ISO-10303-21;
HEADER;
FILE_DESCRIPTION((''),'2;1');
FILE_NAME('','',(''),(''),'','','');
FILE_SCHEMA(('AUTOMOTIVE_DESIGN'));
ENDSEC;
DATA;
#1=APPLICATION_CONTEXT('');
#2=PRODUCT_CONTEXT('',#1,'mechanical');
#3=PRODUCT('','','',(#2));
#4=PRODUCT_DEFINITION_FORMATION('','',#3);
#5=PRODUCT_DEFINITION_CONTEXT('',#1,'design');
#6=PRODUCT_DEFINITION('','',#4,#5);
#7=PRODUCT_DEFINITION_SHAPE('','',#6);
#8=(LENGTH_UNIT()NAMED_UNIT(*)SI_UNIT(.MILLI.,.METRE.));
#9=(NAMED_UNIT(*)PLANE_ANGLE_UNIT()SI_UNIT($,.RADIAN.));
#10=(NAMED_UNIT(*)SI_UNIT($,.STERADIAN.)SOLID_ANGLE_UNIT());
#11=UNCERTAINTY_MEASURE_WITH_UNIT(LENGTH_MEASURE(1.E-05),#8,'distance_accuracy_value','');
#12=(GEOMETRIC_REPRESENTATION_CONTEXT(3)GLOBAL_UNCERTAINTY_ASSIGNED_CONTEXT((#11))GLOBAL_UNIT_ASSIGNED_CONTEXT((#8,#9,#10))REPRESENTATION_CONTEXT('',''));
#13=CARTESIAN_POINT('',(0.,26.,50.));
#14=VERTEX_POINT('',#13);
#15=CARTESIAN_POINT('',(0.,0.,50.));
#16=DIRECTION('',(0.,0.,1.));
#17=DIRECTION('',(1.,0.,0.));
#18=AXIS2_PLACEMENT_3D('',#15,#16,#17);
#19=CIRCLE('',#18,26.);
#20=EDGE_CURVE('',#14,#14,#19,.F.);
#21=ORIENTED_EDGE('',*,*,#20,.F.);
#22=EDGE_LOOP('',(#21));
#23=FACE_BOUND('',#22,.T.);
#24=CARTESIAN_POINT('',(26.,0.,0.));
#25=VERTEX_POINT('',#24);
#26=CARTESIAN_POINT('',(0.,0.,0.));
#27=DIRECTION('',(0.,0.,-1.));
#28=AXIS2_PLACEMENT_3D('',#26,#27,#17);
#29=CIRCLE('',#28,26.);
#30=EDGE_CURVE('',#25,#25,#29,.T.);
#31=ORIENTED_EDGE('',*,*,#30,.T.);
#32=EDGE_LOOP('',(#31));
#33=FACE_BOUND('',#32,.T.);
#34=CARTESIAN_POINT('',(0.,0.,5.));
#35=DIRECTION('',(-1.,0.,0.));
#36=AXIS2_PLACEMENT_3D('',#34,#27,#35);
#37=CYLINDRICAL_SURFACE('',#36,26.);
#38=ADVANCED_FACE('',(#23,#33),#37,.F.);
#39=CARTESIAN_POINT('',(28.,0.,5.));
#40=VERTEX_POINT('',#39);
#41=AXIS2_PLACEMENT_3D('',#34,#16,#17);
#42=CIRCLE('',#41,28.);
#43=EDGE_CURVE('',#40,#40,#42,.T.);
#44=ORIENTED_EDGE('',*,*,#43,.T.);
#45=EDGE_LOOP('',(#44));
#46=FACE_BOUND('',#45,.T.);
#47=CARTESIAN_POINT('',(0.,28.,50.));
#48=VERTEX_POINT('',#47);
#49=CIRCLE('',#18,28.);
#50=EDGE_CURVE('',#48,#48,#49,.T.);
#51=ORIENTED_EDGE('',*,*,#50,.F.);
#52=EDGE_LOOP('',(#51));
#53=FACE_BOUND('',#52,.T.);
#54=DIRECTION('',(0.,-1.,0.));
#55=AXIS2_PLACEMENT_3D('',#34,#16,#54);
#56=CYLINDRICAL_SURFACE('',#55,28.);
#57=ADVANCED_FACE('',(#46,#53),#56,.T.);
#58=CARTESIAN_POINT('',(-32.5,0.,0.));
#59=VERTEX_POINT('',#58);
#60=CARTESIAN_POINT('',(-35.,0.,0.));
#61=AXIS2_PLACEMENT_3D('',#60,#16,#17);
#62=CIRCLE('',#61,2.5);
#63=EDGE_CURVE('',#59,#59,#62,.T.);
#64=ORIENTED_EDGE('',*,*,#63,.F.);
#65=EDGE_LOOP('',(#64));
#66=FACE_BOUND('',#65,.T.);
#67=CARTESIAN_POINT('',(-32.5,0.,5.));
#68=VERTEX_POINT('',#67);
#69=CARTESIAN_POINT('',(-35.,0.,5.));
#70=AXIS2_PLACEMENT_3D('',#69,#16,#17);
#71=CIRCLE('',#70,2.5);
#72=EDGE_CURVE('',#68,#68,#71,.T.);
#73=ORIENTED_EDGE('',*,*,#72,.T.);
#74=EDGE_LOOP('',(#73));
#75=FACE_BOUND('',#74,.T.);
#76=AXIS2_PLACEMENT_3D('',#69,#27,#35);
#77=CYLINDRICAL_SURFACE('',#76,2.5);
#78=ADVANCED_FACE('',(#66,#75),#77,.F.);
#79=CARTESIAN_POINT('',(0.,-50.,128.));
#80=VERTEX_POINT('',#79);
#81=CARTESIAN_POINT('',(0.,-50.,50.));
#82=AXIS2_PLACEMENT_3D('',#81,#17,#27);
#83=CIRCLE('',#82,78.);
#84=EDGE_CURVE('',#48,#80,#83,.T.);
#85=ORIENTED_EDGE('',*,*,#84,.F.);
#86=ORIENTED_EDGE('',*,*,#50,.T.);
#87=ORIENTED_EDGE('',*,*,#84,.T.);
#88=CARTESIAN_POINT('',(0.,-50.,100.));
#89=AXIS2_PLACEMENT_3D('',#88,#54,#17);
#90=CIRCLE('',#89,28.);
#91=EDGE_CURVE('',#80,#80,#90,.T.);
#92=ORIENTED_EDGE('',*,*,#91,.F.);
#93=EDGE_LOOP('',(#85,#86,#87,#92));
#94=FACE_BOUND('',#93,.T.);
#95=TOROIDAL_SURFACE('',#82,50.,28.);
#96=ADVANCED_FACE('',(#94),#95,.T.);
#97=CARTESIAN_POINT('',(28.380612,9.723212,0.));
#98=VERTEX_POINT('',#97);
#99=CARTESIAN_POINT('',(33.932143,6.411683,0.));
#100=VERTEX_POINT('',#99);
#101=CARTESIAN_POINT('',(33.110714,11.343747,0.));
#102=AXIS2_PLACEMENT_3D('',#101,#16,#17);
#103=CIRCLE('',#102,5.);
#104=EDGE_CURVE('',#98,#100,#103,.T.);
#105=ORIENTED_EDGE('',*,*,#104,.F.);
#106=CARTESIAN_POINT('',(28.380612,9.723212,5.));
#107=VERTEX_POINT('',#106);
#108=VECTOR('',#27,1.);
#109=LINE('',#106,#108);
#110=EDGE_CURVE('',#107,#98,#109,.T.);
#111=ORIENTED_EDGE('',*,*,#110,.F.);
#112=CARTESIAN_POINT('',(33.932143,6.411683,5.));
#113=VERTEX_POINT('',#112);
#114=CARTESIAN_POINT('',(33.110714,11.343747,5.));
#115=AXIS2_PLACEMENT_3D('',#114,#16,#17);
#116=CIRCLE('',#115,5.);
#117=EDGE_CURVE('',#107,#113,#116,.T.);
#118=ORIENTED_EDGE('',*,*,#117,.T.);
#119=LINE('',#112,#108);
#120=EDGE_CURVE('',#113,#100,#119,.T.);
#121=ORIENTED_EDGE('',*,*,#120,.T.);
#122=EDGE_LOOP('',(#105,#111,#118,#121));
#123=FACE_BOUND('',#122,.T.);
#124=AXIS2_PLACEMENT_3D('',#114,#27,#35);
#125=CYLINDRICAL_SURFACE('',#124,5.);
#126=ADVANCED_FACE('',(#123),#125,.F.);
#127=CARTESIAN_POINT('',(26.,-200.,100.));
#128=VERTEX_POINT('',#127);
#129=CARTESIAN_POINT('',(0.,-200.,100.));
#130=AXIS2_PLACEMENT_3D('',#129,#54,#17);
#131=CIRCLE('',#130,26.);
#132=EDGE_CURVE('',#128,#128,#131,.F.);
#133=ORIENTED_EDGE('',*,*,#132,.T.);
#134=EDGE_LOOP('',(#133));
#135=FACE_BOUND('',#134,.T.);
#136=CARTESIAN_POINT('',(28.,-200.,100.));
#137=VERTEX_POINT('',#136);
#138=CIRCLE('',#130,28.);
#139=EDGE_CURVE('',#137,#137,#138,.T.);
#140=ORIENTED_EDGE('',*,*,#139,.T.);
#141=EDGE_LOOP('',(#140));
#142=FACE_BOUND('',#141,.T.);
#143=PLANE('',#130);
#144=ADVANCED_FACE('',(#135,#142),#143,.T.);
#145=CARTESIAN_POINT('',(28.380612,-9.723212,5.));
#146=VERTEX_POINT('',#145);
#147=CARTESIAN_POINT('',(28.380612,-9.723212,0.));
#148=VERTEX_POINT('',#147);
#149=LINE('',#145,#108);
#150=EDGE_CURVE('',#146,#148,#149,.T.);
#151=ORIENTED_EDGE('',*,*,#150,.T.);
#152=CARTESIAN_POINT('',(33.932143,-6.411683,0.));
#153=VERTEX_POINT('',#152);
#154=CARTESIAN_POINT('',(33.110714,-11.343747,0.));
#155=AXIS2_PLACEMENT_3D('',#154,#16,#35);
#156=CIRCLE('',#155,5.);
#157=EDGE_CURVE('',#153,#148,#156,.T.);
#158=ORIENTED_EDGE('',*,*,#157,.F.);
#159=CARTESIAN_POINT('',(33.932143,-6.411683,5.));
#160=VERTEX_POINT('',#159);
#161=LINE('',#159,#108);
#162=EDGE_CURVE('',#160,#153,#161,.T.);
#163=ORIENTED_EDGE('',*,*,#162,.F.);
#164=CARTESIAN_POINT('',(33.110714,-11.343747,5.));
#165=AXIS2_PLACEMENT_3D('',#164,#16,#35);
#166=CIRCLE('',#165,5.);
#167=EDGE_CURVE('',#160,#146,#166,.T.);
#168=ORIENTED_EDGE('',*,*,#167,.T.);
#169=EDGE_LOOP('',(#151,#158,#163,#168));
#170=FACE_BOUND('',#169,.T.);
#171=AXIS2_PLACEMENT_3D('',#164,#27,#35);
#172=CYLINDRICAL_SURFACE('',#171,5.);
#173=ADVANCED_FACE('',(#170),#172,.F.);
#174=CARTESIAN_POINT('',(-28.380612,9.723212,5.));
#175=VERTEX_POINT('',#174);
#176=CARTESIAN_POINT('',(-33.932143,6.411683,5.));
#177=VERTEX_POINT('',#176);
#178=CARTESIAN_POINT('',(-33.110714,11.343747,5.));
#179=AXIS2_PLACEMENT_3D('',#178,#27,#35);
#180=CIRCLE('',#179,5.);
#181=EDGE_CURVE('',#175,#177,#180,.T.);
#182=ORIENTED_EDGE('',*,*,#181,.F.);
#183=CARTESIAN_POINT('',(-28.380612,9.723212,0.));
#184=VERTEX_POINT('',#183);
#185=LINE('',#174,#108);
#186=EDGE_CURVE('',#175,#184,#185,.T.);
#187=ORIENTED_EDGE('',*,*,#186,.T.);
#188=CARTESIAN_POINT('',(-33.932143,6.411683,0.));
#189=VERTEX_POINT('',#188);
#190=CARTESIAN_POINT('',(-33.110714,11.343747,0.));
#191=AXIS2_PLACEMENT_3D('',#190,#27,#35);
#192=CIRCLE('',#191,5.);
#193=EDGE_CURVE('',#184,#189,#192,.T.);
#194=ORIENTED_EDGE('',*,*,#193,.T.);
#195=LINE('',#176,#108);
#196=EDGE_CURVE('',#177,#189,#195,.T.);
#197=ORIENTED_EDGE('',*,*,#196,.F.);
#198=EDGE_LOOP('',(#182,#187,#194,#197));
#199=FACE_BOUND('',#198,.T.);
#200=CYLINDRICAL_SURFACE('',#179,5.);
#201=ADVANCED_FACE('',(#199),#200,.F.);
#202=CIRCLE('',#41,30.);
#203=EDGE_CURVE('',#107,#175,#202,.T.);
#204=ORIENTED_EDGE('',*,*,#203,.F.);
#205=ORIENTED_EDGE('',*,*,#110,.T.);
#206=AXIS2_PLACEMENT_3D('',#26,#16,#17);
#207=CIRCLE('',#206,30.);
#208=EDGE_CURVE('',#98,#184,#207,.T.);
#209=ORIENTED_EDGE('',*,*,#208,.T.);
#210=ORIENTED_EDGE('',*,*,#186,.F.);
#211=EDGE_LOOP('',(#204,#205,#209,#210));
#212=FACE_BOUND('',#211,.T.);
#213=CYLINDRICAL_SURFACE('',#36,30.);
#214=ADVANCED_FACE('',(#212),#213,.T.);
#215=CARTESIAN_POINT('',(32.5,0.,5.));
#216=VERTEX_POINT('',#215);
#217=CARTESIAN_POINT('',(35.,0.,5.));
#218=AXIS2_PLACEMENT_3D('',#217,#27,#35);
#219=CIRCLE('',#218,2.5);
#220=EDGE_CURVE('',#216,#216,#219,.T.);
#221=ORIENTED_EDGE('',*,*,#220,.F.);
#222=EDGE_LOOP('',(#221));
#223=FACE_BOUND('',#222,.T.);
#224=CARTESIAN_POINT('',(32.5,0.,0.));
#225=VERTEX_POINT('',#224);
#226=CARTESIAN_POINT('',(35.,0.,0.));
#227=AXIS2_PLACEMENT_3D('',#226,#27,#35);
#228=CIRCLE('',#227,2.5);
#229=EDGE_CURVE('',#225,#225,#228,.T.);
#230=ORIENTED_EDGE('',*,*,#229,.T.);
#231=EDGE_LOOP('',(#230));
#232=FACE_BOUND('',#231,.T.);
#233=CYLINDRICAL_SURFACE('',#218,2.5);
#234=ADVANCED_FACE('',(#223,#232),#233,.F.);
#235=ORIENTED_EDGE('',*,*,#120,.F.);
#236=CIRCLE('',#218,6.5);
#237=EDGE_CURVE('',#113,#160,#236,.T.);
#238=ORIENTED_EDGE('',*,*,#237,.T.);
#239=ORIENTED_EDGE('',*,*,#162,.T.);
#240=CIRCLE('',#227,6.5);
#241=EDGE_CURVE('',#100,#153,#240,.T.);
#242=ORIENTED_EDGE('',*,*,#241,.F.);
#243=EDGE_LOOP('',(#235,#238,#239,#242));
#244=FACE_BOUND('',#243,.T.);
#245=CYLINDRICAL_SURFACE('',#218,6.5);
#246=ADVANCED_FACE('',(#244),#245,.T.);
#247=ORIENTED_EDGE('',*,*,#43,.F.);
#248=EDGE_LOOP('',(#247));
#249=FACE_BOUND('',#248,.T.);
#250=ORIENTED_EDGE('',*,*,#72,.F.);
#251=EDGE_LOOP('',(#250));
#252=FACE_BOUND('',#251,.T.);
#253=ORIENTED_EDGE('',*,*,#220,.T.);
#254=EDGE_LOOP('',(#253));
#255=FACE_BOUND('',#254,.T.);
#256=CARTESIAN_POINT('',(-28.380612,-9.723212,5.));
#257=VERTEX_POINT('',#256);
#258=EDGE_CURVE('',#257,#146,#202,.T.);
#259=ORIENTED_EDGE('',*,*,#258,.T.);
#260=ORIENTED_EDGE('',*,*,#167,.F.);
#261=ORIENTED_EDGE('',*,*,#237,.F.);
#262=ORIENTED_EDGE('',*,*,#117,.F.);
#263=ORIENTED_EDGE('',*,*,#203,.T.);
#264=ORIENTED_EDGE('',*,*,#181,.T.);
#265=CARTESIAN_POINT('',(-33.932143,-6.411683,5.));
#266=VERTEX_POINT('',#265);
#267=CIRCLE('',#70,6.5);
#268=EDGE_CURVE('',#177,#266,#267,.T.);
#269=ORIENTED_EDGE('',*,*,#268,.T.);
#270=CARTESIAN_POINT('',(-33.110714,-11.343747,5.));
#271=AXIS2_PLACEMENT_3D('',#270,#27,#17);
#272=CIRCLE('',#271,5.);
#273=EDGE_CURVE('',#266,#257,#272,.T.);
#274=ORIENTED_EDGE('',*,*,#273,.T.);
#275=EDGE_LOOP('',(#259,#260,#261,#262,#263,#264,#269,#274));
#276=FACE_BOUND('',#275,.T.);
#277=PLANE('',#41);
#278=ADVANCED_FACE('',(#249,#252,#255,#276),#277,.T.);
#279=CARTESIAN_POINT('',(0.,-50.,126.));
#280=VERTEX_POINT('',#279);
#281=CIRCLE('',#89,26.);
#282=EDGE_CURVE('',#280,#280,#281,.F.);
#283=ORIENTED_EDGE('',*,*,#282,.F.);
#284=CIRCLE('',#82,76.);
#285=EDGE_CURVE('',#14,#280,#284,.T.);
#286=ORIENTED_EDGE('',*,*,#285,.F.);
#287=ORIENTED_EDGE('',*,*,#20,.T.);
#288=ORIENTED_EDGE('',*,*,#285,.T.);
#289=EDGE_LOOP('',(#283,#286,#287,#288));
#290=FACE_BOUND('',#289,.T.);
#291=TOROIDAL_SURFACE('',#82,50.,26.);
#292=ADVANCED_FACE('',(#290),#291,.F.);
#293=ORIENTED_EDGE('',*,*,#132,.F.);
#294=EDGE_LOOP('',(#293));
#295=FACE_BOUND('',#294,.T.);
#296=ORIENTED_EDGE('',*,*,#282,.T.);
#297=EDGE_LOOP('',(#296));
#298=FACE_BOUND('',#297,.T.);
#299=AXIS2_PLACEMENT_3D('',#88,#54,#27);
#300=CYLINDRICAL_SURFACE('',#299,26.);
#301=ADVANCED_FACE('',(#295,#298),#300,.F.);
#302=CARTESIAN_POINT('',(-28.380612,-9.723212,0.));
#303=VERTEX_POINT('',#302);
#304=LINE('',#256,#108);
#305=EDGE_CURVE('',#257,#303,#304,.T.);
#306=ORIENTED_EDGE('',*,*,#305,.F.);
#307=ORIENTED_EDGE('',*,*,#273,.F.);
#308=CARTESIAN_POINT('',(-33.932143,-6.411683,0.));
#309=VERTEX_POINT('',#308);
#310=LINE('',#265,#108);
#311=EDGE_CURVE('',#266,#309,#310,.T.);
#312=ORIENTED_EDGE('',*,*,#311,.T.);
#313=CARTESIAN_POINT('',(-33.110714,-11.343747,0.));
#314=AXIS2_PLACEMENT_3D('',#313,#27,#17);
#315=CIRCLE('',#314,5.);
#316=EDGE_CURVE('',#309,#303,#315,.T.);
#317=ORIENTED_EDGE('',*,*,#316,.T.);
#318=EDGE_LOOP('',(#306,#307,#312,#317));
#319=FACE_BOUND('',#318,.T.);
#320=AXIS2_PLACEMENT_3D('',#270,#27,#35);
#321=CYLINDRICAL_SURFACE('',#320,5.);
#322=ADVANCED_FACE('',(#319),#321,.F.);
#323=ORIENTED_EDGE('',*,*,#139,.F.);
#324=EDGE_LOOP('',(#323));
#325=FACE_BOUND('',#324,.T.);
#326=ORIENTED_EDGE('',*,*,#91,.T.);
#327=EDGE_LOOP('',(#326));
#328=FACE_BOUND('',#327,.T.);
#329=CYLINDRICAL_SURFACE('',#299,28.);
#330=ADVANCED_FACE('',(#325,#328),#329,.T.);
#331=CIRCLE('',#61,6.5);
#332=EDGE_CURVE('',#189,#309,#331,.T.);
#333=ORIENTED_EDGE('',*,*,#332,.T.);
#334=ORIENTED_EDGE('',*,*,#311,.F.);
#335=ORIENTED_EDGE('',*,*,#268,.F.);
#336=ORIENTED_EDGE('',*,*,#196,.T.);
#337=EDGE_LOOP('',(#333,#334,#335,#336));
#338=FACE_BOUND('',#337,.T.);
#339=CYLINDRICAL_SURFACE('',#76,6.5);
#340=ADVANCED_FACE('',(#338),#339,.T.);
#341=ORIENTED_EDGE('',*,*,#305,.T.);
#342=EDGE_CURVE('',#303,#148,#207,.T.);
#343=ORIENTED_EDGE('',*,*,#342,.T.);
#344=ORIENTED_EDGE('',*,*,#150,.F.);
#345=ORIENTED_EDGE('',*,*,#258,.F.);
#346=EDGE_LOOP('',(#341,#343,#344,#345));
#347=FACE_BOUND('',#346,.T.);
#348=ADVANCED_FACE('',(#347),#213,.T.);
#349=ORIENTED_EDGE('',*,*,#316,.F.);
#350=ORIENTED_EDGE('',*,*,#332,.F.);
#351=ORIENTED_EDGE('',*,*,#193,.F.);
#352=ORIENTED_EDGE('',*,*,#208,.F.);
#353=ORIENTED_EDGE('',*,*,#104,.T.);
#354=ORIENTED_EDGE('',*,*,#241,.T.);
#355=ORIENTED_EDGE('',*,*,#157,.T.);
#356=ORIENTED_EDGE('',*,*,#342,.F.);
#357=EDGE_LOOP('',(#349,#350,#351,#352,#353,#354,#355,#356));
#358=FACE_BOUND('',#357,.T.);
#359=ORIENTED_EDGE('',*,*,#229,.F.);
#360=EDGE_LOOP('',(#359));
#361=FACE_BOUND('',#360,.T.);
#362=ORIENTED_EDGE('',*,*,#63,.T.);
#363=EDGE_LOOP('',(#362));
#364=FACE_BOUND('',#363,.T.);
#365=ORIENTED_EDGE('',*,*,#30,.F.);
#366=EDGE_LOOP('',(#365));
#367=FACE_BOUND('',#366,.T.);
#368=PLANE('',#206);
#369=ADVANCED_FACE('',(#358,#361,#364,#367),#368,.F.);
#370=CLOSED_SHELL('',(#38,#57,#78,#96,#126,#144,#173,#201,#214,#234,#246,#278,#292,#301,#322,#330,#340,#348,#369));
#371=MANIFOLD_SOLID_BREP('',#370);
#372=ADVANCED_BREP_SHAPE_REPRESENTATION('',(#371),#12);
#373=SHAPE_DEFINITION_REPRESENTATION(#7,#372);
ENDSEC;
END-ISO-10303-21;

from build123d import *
from build123d.topology import SkipClean

# Parameters (mm, degrees)
SKETCH1_R           = 2.5
BOSS_EXTRUDE1_DEPTH = 5
SKETCH2_R           = 28
SKETCH2_R_2         = 26


with BuildPart() as part:
    # Sketch1 → Boss-Extrude1 (new body)
    with BuildSketch(Plane.XY):
        with BuildLine():
            Line((0, 30), (0, 26))
            ThreePointArc((0, 26), (-26, 0), (0, -26))
            Line((0, -26), (0, -30))
            ThreePointArc((0, -30), (-17.439949034, -24.410001591), (-28.380612245, -9.723211846))
            ThreePointArc((-28.380612245, -9.723211846), (-30.5492718, -7.049680039), (-33.932142857, -6.411683174))
            ThreePointArc((-33.932142857, -6.411683174), (-41.5, 0), (-33.932142857, 6.411683174))
            ThreePointArc((-33.932142857, 6.411683174), (-30.5492718, 7.049680039), (-28.380612245, 9.723211846))
            ThreePointArc((-28.380612245, 9.723211846), (-17.439949034, 24.410001591), (0, 30))
        make_face()
        with Locations((-35, 0)):
            Circle(SKETCH1_R, mode=Mode.SUBTRACT)
    boss_extrude1 = extrude(amount=BOSS_EXTRUDE1_DEPTH)

    # Mirror1: Boss-Extrude1 across plane
    add(boss_extrude1.mirror(Plane(origin=(0, 30, 5), x_dir=(0, 0, 1), z_dir=(-1, 0, 0))))

    # Sweep1: sweep along a path in Sketch3
    with SkipClean():  # the faces are left unmerged after this step: merging them gives an invalid solid
        with BuildLine(Plane(origin=(0, 0, 0), x_dir=(0, 0, -1), z_dir=(1, 0, 0))) as sweep1_path:
            Line((-5, 0), (-50, 0))
            ThreePointArc((-50, 0), (-85.355339059, -14.644660941), (-100, -50))
            Line((-100, -50), (-100, -200))
        # Sketch2 → Sweep1 (sweep)
        with BuildSketch(Plane.XY.offset(5)):
            Circle(SKETCH2_R)
            Circle(SKETCH2_R_2, mode=Mode.SUBTRACT)
        sweep(path=sweep1_path.line)


solid = part.part
